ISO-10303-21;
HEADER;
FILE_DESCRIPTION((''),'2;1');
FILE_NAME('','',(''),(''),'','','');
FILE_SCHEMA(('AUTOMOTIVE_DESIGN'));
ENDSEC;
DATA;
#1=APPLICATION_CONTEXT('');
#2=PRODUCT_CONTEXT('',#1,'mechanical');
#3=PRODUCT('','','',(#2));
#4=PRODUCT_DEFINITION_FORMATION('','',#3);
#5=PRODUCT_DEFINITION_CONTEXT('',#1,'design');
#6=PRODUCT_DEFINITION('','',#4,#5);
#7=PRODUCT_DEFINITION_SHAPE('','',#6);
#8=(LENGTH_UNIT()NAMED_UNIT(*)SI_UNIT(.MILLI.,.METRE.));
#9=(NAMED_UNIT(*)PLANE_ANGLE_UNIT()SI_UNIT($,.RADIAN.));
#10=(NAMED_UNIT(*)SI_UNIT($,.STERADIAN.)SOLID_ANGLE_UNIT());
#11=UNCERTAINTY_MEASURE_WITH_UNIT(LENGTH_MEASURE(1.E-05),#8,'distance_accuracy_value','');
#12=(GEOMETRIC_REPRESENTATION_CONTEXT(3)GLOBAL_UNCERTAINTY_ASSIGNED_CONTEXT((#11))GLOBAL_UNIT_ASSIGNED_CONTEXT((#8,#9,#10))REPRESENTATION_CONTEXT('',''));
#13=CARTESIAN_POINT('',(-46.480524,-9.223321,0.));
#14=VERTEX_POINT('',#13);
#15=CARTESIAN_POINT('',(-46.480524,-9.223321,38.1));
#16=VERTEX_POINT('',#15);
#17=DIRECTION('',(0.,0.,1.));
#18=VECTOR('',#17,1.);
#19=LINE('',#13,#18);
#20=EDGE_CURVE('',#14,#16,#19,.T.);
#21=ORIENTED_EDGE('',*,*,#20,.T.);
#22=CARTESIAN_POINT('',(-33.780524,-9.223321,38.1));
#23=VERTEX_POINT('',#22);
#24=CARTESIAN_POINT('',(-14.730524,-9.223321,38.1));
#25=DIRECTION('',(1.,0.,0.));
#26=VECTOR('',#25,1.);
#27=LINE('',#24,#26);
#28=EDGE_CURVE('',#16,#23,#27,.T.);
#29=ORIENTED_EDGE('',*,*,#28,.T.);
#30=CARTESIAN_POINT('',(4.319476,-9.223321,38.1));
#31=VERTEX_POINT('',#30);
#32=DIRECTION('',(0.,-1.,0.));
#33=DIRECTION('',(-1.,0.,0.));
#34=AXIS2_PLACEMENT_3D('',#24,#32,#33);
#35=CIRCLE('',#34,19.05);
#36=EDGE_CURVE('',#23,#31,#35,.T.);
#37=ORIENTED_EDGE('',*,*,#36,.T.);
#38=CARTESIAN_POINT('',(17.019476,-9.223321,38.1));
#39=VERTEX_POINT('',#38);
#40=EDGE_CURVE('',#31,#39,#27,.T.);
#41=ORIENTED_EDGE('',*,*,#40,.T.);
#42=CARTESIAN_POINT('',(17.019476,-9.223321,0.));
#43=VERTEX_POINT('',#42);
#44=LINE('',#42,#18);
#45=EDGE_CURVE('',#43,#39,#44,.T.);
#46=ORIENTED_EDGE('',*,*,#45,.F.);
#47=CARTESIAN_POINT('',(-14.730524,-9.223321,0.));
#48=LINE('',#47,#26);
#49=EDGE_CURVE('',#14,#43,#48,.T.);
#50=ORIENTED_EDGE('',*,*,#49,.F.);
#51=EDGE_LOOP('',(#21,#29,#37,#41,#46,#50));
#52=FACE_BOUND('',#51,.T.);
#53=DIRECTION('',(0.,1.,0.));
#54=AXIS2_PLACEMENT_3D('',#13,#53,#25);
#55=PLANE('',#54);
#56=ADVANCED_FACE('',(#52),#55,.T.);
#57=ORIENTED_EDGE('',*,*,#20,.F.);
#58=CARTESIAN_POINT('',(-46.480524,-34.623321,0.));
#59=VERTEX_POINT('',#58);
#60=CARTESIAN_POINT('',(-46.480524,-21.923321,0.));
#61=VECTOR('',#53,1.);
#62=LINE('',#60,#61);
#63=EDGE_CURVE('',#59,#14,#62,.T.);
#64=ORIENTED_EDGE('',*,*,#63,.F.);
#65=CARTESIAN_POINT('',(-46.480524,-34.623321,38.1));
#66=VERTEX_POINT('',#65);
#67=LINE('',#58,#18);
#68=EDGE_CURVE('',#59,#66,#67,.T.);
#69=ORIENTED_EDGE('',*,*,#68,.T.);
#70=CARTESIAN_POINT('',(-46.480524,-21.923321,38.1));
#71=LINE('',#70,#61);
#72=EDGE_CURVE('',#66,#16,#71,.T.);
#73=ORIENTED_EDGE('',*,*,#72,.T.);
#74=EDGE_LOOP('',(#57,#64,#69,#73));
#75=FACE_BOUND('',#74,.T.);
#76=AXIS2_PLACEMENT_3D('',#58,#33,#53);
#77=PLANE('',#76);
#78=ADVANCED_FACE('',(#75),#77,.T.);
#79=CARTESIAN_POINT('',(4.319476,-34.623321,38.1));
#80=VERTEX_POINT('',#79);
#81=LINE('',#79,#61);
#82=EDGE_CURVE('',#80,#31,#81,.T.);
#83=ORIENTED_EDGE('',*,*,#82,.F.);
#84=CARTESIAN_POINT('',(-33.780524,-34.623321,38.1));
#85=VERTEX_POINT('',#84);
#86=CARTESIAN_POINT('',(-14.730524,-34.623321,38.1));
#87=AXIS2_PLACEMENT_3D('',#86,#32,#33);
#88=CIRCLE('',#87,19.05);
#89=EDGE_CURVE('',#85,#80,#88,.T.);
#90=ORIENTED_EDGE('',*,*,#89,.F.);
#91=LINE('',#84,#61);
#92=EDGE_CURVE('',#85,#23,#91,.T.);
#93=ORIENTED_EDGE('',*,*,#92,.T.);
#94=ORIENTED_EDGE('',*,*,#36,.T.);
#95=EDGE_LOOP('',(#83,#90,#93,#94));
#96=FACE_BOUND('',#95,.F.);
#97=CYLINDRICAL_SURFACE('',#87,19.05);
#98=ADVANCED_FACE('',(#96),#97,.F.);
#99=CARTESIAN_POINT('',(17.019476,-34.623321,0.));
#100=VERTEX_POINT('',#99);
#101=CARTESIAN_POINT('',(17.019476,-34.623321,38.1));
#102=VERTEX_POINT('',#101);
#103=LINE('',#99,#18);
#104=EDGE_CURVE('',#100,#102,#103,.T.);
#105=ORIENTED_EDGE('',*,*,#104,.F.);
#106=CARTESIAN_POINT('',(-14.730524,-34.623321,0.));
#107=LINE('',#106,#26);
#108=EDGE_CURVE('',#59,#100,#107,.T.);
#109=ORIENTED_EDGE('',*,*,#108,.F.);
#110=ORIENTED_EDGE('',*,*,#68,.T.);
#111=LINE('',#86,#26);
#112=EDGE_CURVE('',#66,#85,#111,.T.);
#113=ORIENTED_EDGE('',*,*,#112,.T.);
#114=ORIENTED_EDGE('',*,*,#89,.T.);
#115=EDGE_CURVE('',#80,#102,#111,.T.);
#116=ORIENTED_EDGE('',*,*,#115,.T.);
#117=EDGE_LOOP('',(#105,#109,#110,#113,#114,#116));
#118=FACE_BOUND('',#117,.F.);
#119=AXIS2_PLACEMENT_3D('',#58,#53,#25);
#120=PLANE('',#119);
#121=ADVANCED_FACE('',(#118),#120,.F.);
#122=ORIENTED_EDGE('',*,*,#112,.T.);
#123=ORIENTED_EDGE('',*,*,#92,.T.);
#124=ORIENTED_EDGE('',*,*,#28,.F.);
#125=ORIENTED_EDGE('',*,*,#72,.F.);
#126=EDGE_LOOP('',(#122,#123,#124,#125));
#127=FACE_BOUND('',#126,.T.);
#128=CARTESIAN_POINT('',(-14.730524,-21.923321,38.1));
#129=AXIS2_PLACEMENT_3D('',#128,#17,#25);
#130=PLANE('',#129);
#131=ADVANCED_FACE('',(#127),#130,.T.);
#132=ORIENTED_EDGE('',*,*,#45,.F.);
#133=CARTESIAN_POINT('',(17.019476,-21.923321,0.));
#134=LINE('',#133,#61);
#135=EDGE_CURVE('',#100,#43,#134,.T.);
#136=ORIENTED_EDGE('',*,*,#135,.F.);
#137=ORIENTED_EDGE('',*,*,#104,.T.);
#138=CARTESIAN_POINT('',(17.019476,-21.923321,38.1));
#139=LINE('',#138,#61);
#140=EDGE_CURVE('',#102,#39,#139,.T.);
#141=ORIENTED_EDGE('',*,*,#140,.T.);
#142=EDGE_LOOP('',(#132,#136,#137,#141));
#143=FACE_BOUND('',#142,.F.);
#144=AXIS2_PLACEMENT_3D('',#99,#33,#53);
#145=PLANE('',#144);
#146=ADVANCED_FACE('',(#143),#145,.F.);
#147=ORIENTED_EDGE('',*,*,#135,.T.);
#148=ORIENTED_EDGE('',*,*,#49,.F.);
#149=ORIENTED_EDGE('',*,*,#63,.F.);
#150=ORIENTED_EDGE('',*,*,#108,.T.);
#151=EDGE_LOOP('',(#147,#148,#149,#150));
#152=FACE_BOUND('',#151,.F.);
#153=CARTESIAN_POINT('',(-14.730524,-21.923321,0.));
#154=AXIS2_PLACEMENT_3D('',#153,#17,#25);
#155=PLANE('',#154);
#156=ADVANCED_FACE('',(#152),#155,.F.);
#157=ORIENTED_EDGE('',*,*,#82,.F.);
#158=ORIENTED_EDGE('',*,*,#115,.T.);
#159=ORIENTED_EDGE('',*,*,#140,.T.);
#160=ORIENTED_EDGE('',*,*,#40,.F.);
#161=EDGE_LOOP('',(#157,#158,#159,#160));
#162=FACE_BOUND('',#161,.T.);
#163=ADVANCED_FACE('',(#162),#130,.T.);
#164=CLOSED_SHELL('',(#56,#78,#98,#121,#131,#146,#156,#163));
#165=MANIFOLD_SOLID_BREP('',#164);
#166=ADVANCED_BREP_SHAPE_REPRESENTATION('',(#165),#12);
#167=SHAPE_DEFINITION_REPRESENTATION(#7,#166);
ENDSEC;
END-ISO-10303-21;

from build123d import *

# Parameters (mm, degrees)
F0_W     = 63.5
F0_H     = 25.4
F1_DEPTH = 38.1
F4_DEPTH = 25.4


with BuildPart() as f1:
    # F0 (on Top) → F1 (new body)
    with BuildSketch(Plane.XY):
        with Locations((-14.730524, -21.923321)):
            Rectangle(F0_W, F0_H)
    extrude(amount=F1_DEPTH)

    # F2 (on face) → F4 (cut)
    with BuildSketch(Plane.XZ.offset(34.623321)):
        with BuildLine():
            ThreePointArc((-33.780524, 38.1), (-14.730524, 19.05), (4.319476, 38.1))
            Line((4.319476, 38.1), (-33.780524, 38.1))
        make_face()
    extrude(amount=-F4_DEPTH, mode=Mode.SUBTRACT)


solid = f1.part
